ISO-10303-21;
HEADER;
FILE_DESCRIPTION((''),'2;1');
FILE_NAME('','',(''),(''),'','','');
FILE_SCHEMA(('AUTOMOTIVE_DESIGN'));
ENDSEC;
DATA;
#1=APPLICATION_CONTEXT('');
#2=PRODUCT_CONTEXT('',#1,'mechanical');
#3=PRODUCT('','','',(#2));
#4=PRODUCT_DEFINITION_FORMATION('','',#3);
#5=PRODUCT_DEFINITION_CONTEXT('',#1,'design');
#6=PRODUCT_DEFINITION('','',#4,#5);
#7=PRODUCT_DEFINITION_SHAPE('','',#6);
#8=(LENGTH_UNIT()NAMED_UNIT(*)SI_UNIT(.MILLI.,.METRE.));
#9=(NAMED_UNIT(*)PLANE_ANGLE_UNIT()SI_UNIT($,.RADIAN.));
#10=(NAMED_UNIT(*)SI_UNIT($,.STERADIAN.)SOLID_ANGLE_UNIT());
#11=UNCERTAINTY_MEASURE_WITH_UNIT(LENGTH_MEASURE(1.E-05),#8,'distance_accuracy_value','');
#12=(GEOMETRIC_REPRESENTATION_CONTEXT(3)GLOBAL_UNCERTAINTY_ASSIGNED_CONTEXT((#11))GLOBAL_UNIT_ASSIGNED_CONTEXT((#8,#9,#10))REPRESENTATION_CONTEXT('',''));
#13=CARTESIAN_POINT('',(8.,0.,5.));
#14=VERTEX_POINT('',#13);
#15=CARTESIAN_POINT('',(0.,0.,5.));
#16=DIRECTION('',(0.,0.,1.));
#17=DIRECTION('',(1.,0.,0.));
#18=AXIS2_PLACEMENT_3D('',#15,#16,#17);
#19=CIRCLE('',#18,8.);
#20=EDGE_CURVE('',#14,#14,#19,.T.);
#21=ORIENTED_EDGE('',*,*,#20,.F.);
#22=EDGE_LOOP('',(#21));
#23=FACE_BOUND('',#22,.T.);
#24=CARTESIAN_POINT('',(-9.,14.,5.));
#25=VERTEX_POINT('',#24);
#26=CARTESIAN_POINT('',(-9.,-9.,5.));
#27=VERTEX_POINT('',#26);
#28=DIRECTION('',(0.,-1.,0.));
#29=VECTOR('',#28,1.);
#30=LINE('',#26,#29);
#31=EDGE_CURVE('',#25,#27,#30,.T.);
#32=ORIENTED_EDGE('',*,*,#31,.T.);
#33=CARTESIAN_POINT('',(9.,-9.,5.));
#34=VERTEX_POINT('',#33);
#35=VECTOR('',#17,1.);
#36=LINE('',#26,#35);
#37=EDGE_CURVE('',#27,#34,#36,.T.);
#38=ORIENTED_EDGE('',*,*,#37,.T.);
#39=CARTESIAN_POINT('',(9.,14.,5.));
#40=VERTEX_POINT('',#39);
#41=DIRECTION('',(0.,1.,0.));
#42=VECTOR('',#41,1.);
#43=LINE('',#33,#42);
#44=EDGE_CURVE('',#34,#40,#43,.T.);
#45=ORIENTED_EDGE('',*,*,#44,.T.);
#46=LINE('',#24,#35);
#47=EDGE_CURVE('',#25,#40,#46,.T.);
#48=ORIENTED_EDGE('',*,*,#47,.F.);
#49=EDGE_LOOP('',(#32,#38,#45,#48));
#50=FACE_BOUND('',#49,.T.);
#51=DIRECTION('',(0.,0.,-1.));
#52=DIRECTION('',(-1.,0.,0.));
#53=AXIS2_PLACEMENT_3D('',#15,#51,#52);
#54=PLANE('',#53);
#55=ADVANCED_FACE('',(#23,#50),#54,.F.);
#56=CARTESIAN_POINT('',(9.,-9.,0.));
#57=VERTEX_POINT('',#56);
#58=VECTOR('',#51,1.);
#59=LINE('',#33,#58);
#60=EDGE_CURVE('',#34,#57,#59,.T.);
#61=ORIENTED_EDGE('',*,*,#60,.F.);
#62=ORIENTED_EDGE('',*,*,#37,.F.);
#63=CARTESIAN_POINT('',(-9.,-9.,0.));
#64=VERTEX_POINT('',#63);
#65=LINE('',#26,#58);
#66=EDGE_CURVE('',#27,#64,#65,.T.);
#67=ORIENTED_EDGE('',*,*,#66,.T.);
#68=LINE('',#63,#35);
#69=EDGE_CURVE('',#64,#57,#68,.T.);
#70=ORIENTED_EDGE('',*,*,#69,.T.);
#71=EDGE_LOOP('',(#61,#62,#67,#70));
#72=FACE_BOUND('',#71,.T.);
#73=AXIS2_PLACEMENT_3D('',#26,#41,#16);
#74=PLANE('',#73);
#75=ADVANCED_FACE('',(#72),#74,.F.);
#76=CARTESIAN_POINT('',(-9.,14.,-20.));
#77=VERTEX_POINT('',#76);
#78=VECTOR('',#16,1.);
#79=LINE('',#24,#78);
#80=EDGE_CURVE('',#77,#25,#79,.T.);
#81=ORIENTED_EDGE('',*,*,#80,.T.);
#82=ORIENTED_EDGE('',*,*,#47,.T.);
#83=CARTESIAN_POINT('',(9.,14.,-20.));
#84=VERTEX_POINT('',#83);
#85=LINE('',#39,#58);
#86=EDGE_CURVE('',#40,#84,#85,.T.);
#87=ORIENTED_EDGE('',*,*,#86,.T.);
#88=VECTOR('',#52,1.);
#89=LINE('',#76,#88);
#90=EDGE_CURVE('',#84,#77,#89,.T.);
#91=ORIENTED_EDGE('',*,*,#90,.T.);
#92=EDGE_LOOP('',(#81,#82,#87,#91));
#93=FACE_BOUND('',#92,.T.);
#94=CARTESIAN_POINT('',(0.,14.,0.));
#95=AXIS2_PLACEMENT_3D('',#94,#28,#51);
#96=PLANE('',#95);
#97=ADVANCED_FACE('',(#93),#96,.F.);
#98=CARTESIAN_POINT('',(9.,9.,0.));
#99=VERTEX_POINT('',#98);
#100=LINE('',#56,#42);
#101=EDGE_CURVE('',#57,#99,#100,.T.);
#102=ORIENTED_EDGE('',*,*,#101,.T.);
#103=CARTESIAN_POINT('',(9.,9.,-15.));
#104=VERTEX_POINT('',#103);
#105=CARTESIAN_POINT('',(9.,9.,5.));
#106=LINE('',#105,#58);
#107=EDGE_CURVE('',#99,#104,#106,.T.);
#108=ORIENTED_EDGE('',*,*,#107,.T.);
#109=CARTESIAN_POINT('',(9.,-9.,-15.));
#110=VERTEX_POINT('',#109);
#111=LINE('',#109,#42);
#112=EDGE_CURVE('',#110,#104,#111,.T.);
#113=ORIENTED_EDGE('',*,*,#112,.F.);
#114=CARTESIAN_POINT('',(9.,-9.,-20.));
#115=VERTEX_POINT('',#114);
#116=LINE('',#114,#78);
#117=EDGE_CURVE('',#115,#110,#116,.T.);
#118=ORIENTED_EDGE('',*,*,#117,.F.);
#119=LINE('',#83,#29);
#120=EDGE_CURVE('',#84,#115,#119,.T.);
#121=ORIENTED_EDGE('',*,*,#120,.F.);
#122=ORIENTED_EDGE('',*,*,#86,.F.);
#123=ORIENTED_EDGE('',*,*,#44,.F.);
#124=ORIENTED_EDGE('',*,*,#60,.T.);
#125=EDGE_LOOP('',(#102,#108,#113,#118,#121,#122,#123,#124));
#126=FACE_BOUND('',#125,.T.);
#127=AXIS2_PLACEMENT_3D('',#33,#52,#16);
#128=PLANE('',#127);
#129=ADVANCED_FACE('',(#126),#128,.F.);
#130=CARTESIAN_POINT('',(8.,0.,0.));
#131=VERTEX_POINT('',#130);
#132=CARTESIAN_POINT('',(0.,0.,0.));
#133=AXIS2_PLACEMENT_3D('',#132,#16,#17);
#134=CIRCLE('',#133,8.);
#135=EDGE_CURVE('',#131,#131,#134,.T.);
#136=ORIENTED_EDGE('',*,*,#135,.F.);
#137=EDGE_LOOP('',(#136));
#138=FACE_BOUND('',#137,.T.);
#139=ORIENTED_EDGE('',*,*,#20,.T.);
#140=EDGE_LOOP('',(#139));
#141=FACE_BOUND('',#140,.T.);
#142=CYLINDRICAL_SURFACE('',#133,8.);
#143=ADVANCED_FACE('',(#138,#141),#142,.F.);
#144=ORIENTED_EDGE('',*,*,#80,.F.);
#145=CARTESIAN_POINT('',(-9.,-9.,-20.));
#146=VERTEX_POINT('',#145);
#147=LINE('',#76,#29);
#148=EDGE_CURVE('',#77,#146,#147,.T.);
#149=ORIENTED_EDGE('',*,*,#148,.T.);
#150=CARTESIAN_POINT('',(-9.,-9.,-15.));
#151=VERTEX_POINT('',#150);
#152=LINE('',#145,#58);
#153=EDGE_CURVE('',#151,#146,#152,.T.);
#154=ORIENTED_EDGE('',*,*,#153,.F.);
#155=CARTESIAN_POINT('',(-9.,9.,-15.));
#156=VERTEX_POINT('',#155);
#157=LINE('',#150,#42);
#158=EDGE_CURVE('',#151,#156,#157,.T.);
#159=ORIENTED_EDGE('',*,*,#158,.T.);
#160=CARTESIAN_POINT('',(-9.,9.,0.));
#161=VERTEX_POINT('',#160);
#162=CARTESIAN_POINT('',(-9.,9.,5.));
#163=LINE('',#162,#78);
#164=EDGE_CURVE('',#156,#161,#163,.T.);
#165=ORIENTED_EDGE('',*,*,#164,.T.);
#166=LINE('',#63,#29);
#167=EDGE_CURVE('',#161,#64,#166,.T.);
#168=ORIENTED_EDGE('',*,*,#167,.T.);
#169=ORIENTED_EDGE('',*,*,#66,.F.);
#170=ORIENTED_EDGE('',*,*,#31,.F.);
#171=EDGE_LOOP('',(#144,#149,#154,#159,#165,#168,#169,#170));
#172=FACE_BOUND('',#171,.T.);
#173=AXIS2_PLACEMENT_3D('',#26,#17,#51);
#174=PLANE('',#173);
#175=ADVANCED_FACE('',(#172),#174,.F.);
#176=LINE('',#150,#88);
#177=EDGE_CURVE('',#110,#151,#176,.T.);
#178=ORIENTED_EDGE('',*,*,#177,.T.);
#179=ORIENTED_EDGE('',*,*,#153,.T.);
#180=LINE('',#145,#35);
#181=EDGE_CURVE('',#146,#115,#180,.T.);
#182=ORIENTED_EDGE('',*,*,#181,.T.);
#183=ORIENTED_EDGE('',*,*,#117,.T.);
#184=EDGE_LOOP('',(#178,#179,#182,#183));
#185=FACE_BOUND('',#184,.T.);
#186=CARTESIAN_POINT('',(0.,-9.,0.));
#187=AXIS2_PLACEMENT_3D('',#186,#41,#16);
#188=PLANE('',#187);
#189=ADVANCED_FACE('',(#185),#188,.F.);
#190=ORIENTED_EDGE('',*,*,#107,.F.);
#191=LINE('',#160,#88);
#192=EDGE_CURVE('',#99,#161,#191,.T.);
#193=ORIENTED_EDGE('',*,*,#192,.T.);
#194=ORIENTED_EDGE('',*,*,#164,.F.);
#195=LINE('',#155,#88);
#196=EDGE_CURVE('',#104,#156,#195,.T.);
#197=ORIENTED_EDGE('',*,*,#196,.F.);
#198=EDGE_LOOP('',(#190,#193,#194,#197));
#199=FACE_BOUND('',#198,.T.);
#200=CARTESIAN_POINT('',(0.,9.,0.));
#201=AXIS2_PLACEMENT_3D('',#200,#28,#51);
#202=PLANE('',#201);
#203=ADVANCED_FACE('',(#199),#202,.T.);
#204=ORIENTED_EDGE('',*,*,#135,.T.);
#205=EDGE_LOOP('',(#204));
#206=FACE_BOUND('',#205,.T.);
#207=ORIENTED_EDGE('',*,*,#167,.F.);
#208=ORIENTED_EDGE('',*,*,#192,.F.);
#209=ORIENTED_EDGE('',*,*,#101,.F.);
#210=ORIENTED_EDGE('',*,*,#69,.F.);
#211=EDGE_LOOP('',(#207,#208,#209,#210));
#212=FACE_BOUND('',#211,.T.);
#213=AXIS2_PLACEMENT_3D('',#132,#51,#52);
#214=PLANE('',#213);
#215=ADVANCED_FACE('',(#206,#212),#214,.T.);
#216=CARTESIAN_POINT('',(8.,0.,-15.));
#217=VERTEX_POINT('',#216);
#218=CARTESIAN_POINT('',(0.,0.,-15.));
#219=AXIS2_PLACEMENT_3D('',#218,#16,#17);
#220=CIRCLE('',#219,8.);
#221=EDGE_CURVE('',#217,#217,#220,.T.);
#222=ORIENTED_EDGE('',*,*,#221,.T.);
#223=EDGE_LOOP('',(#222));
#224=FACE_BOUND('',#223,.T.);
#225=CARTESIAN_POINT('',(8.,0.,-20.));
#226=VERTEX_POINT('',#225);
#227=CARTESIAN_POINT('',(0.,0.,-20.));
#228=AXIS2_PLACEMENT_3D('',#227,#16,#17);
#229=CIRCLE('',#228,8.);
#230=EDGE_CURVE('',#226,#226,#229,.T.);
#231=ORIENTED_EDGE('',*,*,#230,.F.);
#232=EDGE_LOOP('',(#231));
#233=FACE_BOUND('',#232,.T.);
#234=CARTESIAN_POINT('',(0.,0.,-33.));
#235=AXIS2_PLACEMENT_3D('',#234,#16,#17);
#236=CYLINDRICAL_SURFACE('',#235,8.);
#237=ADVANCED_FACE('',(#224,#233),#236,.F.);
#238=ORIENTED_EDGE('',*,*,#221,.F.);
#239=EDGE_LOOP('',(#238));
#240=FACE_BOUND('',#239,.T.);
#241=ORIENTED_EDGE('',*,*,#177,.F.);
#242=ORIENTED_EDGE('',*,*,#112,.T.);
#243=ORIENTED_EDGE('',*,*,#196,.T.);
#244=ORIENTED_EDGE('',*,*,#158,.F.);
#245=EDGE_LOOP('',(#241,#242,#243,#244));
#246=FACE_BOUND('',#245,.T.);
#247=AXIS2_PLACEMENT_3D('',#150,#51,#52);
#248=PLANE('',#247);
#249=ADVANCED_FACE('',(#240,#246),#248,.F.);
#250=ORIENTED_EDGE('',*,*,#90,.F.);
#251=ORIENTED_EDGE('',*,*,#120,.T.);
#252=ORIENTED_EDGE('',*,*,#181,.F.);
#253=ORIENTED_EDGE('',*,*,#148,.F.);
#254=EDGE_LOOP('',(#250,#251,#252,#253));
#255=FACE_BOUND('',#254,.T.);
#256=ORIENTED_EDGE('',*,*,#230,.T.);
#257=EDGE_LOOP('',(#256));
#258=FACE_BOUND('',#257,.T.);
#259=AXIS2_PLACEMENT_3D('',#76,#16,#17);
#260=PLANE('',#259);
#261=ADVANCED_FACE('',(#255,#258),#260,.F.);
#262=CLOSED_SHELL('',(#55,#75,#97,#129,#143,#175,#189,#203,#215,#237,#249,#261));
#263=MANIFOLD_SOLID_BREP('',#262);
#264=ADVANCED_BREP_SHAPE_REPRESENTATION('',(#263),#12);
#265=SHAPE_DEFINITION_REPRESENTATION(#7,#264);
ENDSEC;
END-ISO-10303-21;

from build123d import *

# Parameters (mm, degrees)
SKETCH_1_W          = 18
SKETCH_1_H          = 18
EXTRUDE_1_DEPTH     = 5
SKETCH_2_R          = 8
CUT_EXTRUDE_1_DEPTH = 5
SKETCH_3_W          = 18
SKETCH_3_H          = 25
EXTRUDE_2_DEPTH     = 5
SKETCH_4_W          = 18
SKETCH_4_H          = 5
EXTRUDE_3_DEPTH     = 18
SKETCH_5_R          = 8
CUT_EXTRUDE_2_DEPTH = 18


with BuildPart() as part:
    # 草图1 → 凸台-拉伸1 (new body)
    with BuildSketch(Plane.XY):
        Rectangle(SKETCH_1_W, SKETCH_1_H)
    extrude(amount=EXTRUDE_1_DEPTH)

    # 草图2 → 切除-拉伸1 (cut)
    with BuildSketch(Plane.XY.offset(5)):
        Circle(SKETCH_2_R)
    extrude(amount=-CUT_EXTRUDE_1_DEPTH, mode=Mode.SUBTRACT)

    # 草图3 → 凸台-拉伸2 (add)
    with BuildSketch(Plane(origin=(0, 9, 0), x_dir=(1, 0, 0), z_dir=(0, 1, 0))):
        with Locations((0, 7.5)):
            Rectangle(SKETCH_3_W, SKETCH_3_H)
    extrude(amount=EXTRUDE_2_DEPTH)

    # 草图4 → 凸台-拉伸3 (add)
    with BuildSketch(Plane.XZ.offset(-9)):
        with Locations((0, -17.5)):
            Rectangle(SKETCH_4_W, SKETCH_4_H)
    extrude(amount=EXTRUDE_3_DEPTH)

    # 草图5 → 切除-拉伸2 (cut)
    with BuildSketch(Plane.XY.offset(-15)):
        Circle(SKETCH_5_R)
    extrude(amount=-CUT_EXTRUDE_2_DEPTH, mode=Mode.SUBTRACT)


solid = part.part
